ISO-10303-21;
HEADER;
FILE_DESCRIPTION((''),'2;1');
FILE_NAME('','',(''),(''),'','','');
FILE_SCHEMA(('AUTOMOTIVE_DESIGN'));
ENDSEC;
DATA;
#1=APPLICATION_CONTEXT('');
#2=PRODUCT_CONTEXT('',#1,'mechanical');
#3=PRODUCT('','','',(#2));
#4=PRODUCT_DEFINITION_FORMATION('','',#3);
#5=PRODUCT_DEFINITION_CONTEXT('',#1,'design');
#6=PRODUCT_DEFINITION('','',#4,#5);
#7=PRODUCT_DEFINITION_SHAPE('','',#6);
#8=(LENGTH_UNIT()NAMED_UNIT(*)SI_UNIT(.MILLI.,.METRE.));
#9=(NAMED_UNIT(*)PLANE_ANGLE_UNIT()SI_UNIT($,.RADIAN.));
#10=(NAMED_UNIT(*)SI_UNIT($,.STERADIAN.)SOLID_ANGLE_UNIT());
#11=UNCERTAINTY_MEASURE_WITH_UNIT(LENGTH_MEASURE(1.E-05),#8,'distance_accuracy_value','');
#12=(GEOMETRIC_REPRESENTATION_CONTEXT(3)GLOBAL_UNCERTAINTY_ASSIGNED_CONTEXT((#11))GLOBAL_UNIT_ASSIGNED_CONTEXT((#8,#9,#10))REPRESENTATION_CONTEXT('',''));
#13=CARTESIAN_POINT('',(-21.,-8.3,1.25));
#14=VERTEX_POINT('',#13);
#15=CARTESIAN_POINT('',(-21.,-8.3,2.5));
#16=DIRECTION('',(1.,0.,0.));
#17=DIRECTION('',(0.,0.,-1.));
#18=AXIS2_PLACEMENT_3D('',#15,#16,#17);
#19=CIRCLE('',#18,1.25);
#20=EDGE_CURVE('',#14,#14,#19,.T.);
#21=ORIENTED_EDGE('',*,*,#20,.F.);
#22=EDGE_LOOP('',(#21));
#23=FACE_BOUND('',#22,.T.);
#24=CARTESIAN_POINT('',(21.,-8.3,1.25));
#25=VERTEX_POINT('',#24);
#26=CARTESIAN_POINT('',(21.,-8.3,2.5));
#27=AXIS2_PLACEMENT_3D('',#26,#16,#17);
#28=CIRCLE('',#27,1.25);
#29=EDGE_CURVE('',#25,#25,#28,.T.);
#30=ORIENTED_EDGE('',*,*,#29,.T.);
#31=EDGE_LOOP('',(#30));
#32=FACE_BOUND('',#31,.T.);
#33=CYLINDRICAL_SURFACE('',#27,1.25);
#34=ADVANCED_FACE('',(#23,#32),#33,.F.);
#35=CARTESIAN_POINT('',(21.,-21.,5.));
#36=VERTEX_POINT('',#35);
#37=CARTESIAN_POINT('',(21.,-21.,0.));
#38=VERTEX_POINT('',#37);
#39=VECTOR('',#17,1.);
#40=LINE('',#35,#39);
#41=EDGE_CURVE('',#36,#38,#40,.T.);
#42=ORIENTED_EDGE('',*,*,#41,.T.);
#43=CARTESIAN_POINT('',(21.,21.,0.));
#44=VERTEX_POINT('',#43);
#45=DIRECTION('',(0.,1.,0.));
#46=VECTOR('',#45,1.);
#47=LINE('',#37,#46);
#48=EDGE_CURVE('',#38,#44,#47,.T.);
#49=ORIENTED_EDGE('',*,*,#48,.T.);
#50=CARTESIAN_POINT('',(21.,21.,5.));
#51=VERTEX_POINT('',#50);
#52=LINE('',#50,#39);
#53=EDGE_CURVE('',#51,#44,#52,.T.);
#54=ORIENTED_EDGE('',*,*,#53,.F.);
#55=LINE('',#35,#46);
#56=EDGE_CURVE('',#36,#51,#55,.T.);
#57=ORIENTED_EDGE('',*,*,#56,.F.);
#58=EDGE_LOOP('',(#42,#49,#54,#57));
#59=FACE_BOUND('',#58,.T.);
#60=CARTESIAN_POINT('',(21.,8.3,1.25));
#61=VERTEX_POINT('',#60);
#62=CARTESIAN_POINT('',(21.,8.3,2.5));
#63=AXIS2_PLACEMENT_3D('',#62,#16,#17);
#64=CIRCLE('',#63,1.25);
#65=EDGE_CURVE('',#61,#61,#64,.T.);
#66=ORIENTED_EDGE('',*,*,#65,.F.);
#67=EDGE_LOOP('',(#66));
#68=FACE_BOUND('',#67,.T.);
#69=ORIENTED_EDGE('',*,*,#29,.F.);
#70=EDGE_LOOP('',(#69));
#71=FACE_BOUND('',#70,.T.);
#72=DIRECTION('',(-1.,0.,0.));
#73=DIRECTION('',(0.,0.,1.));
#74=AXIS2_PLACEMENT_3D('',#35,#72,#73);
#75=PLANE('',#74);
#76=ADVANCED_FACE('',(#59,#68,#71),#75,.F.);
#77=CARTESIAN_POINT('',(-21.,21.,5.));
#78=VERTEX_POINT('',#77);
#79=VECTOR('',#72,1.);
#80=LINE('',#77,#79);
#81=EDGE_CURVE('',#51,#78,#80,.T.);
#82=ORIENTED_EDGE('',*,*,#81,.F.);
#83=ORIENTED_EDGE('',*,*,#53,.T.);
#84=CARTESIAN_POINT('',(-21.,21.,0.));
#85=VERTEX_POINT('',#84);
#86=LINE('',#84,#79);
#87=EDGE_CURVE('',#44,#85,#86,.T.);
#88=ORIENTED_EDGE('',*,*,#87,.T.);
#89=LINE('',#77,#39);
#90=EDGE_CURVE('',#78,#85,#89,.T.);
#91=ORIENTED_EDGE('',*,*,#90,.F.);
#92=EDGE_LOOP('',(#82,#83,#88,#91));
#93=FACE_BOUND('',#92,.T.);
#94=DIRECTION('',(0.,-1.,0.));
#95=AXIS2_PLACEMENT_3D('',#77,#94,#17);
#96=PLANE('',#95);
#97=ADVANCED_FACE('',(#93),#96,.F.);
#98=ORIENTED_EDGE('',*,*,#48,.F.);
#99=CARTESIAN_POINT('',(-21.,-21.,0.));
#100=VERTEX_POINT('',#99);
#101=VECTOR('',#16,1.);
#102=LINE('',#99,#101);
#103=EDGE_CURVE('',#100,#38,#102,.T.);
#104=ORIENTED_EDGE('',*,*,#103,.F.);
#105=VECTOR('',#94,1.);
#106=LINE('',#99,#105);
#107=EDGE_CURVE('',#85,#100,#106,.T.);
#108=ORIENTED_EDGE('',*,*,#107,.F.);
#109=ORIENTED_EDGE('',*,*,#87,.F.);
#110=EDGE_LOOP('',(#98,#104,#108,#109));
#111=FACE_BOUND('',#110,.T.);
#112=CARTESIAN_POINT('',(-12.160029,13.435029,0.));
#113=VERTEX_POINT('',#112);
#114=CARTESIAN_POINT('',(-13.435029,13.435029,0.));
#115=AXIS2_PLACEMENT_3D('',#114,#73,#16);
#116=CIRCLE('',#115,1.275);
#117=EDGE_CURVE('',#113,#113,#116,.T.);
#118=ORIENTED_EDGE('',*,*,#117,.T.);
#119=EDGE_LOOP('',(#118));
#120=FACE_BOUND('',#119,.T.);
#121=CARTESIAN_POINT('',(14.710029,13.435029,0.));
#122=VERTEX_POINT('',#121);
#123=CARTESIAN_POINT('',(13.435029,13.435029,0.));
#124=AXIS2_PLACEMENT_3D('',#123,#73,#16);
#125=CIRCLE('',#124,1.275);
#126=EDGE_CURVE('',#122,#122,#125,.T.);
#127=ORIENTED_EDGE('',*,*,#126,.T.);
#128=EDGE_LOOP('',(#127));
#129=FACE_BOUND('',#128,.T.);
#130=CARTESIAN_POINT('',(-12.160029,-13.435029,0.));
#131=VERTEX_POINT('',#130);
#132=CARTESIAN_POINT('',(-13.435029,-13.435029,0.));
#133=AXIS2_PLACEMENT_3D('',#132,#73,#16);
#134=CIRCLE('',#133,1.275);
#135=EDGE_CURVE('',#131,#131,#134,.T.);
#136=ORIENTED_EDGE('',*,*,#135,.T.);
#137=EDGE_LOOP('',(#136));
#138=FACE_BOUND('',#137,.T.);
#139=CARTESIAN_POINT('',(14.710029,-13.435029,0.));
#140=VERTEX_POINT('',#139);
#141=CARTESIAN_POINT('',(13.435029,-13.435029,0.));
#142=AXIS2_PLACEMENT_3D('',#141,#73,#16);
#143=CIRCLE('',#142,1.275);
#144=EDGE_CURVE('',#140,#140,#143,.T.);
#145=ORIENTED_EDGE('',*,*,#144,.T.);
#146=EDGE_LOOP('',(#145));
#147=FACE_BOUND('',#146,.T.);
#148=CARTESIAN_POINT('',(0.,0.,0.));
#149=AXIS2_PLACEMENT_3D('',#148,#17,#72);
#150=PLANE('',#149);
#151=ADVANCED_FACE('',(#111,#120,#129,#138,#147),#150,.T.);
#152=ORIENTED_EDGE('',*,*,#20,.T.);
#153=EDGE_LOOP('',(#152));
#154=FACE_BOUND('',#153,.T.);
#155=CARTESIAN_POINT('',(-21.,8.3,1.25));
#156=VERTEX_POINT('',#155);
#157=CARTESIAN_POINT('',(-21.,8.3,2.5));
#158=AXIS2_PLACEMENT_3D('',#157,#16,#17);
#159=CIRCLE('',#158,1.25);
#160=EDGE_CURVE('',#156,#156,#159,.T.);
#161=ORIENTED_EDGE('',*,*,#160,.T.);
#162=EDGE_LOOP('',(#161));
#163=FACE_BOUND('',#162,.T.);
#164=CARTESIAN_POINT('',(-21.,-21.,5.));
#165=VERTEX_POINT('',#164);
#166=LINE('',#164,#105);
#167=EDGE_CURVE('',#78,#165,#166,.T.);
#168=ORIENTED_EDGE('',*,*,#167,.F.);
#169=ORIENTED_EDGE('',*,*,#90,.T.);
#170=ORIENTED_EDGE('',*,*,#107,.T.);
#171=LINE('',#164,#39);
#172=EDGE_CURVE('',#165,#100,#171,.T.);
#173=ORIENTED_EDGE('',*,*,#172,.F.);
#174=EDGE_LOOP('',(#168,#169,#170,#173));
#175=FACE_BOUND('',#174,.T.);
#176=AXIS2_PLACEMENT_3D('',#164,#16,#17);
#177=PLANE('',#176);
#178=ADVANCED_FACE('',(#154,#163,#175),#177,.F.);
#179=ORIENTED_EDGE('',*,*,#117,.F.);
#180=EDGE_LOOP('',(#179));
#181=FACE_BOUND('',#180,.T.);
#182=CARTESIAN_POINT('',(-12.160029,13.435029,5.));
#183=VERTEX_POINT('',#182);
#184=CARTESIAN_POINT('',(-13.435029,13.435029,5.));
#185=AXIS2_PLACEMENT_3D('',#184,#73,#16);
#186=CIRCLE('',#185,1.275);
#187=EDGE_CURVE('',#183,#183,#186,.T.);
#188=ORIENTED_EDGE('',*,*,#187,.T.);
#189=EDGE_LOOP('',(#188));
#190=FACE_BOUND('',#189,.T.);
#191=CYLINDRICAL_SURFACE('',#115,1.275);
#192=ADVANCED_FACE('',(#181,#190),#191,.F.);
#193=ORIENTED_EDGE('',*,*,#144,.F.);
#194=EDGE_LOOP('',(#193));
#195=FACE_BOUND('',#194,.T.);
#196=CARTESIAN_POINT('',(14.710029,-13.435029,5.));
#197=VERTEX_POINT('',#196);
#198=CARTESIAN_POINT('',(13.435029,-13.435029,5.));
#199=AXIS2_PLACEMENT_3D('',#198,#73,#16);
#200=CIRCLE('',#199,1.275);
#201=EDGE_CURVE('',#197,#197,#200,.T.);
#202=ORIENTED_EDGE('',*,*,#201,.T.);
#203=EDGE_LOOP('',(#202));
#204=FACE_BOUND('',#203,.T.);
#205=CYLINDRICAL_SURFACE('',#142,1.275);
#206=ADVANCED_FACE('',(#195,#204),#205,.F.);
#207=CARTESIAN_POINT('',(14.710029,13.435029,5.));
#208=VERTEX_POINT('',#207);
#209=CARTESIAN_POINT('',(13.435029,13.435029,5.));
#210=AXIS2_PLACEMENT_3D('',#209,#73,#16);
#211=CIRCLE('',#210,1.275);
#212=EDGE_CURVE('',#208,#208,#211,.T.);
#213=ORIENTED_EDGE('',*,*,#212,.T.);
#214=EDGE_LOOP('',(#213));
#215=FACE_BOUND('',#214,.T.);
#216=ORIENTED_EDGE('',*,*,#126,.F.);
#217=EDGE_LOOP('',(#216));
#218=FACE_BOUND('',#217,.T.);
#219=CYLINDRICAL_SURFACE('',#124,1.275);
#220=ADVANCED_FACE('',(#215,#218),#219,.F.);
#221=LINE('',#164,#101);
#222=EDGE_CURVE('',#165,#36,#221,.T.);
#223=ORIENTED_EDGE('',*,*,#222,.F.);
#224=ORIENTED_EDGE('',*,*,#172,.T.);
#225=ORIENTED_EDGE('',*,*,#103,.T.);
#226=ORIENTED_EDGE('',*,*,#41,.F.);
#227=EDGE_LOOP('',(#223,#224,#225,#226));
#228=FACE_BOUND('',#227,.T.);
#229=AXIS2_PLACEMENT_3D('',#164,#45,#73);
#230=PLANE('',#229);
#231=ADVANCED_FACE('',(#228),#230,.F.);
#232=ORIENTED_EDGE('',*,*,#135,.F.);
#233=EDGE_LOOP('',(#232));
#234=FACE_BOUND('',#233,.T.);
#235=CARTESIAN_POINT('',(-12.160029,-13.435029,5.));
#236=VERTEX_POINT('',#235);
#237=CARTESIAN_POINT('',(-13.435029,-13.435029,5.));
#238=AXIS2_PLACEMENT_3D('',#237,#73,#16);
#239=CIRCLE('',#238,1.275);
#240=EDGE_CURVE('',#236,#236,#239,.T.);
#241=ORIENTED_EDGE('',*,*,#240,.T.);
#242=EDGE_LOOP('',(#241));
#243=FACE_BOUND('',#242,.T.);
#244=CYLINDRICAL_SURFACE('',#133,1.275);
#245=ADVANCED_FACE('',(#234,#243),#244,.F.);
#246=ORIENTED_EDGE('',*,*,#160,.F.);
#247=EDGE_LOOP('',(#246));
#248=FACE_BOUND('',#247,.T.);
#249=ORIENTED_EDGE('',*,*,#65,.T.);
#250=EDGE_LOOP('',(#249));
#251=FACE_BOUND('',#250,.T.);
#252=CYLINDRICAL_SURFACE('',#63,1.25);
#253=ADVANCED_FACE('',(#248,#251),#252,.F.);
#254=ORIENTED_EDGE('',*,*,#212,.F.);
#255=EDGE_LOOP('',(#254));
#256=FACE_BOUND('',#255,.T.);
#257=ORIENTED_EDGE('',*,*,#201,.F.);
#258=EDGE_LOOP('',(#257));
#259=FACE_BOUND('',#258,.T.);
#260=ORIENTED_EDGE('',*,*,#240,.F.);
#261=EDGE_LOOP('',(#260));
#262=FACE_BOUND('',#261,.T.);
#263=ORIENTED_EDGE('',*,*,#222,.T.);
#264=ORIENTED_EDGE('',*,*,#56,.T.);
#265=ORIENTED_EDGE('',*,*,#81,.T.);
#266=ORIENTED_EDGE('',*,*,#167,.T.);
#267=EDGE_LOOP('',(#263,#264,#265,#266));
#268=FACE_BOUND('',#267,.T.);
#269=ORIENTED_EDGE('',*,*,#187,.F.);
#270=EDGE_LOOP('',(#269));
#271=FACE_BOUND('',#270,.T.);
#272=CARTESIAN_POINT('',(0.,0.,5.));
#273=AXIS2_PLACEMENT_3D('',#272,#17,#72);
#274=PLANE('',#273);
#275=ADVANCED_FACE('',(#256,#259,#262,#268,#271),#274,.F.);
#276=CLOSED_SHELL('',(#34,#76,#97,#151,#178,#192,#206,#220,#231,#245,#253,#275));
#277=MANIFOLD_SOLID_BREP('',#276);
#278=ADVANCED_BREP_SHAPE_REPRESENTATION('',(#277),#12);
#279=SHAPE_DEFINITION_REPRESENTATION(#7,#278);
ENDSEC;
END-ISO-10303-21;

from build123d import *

# Parameters (mm, degrees)
SKETCH_1_W          = 42
SKETCH_1_H          = 42
EXTRUDE_1_DEPTH     = 5
SKETCH_2_R          = 1.275
CUT_EXTRUDE_1_DEPTH = 6
HOLE_WIZARD_M3_1_D  = 2.5


with BuildPart() as part:
    # 草图1 → 凸台-拉伸1 (new body)
    with BuildSketch(Plane.XY):
        Rectangle(SKETCH_1_W, SKETCH_1_H)
    extrude(amount=EXTRUDE_1_DEPTH)

    # 草图2 → 切除-拉伸1 (cut, through all)
    with BuildSketch(Plane.XY.offset(5)):
        with Locations((13.435028843, 13.435028843)):
            Circle(SKETCH_2_R)
        with Locations((13.435028843, -13.435028843)):
            Circle(SKETCH_2_R)
        with Locations((-13.435028843, -13.435028843)):
            Circle(SKETCH_2_R)
        with Locations((-13.435028843, 13.435028843)):
            Circle(SKETCH_2_R)
    extrude(amount=-CUT_EXTRUDE_1_DEPTH, mode=Mode.SUBTRACT)

    # M3 螺纹孔1 (through all)
    with Locations(Plane(origin=(21, 0, 0), x_dir=(0, 0, -1), z_dir=(1, 0, 0))):
        with Locations((-2.5, 8.3)):
            hole_wizard_m3_1 = Hole(HOLE_WIZARD_M3_1_D / 2)

    # 镜向1: M3 螺纹孔1 across plane
    add(hole_wizard_m3_1.mirror(Plane.ZX), mode=Mode.SUBTRACT)


solid = part.part
